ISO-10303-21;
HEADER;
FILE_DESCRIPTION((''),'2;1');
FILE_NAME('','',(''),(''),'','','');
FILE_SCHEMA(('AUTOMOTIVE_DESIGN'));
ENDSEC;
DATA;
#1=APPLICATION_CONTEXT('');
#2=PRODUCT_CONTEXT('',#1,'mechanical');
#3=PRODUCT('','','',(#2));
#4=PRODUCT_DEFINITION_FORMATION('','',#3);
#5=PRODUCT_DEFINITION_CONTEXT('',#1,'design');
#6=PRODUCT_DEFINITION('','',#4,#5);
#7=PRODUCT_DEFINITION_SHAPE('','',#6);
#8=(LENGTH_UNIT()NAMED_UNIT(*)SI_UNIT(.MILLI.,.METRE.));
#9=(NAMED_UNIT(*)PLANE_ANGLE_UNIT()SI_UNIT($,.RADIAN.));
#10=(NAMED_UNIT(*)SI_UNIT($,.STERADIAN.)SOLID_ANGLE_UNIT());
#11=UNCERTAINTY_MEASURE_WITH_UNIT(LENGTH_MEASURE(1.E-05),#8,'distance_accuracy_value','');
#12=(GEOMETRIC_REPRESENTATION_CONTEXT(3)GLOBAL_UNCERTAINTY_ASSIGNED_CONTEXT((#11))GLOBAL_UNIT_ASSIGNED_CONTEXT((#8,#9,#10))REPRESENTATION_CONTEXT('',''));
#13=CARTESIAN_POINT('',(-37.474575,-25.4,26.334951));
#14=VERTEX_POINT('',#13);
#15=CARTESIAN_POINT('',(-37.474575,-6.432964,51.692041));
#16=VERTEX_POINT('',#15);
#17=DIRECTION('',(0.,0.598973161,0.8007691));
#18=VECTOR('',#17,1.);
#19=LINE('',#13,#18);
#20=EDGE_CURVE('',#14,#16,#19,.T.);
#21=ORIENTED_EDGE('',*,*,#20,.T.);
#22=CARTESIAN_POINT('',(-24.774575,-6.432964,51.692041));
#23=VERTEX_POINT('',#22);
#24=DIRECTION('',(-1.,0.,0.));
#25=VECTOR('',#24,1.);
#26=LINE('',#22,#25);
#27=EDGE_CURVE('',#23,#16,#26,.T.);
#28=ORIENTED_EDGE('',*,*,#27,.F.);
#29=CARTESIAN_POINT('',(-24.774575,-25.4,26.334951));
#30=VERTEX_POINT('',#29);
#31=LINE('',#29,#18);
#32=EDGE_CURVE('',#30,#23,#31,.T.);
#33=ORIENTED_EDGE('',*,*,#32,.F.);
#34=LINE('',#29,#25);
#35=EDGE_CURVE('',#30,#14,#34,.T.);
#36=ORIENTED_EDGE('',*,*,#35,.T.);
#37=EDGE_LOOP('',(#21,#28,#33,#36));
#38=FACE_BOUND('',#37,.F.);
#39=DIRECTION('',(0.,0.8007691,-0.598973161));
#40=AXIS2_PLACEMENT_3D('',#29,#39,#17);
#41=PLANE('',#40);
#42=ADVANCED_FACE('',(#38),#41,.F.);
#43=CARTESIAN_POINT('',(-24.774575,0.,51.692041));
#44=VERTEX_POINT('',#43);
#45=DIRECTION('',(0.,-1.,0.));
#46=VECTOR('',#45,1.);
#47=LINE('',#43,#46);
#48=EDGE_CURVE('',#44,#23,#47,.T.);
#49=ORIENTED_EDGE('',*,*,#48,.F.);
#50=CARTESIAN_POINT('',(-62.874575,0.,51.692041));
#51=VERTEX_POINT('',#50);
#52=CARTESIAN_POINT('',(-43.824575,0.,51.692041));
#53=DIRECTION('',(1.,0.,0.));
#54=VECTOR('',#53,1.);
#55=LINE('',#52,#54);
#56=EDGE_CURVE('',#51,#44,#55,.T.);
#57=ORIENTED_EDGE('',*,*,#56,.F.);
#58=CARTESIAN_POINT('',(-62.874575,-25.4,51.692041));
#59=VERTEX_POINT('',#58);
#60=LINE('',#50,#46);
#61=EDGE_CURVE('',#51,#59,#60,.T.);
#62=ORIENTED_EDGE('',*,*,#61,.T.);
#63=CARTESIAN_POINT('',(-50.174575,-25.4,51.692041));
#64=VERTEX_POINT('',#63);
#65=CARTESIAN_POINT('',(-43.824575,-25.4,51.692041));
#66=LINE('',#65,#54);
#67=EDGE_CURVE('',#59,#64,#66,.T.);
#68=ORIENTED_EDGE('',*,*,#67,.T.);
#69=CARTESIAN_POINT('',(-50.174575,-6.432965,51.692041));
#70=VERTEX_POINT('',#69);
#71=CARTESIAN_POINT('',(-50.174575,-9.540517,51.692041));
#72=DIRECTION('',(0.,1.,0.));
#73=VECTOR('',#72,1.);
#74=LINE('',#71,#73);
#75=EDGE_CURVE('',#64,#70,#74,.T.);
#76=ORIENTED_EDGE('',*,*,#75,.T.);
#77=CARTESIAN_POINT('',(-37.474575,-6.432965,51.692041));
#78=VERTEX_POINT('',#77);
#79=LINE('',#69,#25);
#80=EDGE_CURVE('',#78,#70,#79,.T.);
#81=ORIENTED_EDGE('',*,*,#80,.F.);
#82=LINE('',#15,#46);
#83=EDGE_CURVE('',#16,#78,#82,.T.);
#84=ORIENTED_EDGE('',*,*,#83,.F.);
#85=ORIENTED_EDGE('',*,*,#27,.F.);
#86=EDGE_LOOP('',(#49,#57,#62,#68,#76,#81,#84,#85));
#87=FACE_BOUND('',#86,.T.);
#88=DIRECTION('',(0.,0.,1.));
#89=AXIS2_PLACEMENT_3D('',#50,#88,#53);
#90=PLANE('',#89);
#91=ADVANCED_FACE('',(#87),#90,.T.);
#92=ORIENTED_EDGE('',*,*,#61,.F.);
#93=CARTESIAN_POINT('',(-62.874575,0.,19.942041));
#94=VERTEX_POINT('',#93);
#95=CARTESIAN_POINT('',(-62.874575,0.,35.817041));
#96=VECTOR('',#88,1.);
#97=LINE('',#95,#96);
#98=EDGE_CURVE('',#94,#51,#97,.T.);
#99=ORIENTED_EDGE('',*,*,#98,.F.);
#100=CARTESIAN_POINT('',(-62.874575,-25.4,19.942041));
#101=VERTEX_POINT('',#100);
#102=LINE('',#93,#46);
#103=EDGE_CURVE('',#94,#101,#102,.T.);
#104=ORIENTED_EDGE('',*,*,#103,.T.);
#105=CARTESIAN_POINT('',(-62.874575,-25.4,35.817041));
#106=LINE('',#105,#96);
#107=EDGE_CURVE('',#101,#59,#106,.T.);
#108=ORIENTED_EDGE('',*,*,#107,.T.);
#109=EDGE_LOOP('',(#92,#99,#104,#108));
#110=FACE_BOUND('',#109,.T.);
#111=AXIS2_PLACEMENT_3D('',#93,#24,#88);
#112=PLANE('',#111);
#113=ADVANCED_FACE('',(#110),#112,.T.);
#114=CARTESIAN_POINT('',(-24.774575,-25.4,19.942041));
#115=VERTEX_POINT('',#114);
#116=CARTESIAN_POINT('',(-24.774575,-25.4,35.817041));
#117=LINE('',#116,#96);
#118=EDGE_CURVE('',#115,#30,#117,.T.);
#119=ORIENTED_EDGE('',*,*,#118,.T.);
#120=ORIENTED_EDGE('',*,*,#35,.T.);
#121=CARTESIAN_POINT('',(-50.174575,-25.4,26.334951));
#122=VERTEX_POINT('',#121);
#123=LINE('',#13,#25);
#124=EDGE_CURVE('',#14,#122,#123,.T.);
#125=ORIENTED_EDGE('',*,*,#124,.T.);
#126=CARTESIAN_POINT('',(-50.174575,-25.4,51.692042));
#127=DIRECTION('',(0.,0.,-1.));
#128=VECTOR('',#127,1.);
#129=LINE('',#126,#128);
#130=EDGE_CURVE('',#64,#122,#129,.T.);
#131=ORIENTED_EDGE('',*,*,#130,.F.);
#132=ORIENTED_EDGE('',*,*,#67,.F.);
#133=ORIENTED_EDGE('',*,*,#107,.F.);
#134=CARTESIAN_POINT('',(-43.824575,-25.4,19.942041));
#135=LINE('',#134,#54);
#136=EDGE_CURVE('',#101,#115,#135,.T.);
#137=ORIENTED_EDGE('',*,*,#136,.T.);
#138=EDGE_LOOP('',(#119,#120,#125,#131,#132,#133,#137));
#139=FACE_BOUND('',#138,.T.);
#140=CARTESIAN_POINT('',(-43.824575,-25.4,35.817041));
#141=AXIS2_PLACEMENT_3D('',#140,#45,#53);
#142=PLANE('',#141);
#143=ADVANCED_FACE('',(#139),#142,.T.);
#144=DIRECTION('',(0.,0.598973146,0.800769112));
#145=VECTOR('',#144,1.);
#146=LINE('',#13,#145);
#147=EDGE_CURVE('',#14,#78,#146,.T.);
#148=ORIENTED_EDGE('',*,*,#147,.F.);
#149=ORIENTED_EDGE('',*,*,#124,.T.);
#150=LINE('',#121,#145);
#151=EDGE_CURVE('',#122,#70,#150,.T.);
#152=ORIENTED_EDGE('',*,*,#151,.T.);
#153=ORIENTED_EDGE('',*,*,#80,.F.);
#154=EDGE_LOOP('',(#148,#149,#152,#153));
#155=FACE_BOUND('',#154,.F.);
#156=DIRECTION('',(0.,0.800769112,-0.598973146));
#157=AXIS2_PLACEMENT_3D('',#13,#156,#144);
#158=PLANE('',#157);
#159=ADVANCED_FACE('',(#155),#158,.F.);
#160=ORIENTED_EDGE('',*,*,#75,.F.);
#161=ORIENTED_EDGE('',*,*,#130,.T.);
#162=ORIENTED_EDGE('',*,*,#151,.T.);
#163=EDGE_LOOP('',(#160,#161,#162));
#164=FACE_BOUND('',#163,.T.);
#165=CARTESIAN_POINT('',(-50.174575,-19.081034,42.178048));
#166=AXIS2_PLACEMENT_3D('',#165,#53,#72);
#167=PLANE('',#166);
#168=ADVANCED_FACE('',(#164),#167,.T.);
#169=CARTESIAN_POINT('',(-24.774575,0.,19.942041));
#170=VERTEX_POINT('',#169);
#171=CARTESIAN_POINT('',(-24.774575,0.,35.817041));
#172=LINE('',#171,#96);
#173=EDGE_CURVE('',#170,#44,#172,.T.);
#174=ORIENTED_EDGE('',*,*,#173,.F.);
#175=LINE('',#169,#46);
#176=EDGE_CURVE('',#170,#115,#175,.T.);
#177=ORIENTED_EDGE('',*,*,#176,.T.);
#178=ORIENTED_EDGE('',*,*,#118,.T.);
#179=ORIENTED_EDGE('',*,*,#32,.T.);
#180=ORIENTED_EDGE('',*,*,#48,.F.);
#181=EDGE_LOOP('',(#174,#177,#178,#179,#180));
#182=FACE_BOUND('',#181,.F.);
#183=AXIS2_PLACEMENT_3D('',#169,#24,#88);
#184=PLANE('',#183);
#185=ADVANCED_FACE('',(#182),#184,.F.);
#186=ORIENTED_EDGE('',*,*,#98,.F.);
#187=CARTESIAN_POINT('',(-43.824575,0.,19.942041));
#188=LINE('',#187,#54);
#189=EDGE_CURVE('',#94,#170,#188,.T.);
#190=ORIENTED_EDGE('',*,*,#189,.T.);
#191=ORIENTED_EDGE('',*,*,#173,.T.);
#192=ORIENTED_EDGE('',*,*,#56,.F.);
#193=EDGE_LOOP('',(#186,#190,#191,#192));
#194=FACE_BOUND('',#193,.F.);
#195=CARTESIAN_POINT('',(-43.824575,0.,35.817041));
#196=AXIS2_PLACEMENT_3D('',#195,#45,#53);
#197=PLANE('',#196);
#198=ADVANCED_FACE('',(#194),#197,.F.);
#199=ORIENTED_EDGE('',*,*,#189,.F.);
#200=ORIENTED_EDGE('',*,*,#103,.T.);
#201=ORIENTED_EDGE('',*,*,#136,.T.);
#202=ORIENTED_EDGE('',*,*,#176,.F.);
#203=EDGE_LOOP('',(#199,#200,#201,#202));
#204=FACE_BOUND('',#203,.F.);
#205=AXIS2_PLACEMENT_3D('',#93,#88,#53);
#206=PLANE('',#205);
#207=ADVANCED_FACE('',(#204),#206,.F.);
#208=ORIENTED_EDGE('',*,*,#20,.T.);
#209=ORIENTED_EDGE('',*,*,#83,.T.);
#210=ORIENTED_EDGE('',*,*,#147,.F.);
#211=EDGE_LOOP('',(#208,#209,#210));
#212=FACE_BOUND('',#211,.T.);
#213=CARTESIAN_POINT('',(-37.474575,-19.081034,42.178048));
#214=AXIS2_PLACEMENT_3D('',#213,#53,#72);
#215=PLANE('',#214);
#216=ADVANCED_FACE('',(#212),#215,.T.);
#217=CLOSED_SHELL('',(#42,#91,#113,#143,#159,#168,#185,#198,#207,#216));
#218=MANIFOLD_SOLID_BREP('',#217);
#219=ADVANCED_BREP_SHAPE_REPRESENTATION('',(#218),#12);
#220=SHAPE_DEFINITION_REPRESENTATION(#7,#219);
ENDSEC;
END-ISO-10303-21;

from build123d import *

# Parameters (mm, degrees)
F0_W     = 38.1
F0_H     = 31.75
F1_DEPTH = 25.4
F3_DEPTH = 12.7
F4_DEPTH = 12.7


with BuildPart() as f1:
    # F0 (on Front) → F1 (new body)
    with BuildSketch(Plane.XZ):
        with Locations((-43.824575, 35.817041)):
            Rectangle(F0_W, F0_H)
    extrude(amount=F1_DEPTH)

    # F2 (on face) → F3 (cut)
    with BuildSketch(Plane.YZ.offset(-24.774575)):
        Polygon((-25.4, 26.334951), (-6.432964, 51.692041), (-25.4, 51.692041), align=None)
    extrude(amount=-F3_DEPTH, mode=Mode.SUBTRACT)

    # F3_face (on face) → F4 (cut)
    with BuildSketch(Plane(origin=(-37.474575, -19.077655, 43.239678), x_dir=(0, 1, 0), z_dir=(1, 0, 0))):
        Polygon((-6.322345, -16.904727), (12.644691, 8.452364), (-6.322345, 8.452364), align=None)
    extrude(amount=-F4_DEPTH, mode=Mode.SUBTRACT)


solid = f1.part
